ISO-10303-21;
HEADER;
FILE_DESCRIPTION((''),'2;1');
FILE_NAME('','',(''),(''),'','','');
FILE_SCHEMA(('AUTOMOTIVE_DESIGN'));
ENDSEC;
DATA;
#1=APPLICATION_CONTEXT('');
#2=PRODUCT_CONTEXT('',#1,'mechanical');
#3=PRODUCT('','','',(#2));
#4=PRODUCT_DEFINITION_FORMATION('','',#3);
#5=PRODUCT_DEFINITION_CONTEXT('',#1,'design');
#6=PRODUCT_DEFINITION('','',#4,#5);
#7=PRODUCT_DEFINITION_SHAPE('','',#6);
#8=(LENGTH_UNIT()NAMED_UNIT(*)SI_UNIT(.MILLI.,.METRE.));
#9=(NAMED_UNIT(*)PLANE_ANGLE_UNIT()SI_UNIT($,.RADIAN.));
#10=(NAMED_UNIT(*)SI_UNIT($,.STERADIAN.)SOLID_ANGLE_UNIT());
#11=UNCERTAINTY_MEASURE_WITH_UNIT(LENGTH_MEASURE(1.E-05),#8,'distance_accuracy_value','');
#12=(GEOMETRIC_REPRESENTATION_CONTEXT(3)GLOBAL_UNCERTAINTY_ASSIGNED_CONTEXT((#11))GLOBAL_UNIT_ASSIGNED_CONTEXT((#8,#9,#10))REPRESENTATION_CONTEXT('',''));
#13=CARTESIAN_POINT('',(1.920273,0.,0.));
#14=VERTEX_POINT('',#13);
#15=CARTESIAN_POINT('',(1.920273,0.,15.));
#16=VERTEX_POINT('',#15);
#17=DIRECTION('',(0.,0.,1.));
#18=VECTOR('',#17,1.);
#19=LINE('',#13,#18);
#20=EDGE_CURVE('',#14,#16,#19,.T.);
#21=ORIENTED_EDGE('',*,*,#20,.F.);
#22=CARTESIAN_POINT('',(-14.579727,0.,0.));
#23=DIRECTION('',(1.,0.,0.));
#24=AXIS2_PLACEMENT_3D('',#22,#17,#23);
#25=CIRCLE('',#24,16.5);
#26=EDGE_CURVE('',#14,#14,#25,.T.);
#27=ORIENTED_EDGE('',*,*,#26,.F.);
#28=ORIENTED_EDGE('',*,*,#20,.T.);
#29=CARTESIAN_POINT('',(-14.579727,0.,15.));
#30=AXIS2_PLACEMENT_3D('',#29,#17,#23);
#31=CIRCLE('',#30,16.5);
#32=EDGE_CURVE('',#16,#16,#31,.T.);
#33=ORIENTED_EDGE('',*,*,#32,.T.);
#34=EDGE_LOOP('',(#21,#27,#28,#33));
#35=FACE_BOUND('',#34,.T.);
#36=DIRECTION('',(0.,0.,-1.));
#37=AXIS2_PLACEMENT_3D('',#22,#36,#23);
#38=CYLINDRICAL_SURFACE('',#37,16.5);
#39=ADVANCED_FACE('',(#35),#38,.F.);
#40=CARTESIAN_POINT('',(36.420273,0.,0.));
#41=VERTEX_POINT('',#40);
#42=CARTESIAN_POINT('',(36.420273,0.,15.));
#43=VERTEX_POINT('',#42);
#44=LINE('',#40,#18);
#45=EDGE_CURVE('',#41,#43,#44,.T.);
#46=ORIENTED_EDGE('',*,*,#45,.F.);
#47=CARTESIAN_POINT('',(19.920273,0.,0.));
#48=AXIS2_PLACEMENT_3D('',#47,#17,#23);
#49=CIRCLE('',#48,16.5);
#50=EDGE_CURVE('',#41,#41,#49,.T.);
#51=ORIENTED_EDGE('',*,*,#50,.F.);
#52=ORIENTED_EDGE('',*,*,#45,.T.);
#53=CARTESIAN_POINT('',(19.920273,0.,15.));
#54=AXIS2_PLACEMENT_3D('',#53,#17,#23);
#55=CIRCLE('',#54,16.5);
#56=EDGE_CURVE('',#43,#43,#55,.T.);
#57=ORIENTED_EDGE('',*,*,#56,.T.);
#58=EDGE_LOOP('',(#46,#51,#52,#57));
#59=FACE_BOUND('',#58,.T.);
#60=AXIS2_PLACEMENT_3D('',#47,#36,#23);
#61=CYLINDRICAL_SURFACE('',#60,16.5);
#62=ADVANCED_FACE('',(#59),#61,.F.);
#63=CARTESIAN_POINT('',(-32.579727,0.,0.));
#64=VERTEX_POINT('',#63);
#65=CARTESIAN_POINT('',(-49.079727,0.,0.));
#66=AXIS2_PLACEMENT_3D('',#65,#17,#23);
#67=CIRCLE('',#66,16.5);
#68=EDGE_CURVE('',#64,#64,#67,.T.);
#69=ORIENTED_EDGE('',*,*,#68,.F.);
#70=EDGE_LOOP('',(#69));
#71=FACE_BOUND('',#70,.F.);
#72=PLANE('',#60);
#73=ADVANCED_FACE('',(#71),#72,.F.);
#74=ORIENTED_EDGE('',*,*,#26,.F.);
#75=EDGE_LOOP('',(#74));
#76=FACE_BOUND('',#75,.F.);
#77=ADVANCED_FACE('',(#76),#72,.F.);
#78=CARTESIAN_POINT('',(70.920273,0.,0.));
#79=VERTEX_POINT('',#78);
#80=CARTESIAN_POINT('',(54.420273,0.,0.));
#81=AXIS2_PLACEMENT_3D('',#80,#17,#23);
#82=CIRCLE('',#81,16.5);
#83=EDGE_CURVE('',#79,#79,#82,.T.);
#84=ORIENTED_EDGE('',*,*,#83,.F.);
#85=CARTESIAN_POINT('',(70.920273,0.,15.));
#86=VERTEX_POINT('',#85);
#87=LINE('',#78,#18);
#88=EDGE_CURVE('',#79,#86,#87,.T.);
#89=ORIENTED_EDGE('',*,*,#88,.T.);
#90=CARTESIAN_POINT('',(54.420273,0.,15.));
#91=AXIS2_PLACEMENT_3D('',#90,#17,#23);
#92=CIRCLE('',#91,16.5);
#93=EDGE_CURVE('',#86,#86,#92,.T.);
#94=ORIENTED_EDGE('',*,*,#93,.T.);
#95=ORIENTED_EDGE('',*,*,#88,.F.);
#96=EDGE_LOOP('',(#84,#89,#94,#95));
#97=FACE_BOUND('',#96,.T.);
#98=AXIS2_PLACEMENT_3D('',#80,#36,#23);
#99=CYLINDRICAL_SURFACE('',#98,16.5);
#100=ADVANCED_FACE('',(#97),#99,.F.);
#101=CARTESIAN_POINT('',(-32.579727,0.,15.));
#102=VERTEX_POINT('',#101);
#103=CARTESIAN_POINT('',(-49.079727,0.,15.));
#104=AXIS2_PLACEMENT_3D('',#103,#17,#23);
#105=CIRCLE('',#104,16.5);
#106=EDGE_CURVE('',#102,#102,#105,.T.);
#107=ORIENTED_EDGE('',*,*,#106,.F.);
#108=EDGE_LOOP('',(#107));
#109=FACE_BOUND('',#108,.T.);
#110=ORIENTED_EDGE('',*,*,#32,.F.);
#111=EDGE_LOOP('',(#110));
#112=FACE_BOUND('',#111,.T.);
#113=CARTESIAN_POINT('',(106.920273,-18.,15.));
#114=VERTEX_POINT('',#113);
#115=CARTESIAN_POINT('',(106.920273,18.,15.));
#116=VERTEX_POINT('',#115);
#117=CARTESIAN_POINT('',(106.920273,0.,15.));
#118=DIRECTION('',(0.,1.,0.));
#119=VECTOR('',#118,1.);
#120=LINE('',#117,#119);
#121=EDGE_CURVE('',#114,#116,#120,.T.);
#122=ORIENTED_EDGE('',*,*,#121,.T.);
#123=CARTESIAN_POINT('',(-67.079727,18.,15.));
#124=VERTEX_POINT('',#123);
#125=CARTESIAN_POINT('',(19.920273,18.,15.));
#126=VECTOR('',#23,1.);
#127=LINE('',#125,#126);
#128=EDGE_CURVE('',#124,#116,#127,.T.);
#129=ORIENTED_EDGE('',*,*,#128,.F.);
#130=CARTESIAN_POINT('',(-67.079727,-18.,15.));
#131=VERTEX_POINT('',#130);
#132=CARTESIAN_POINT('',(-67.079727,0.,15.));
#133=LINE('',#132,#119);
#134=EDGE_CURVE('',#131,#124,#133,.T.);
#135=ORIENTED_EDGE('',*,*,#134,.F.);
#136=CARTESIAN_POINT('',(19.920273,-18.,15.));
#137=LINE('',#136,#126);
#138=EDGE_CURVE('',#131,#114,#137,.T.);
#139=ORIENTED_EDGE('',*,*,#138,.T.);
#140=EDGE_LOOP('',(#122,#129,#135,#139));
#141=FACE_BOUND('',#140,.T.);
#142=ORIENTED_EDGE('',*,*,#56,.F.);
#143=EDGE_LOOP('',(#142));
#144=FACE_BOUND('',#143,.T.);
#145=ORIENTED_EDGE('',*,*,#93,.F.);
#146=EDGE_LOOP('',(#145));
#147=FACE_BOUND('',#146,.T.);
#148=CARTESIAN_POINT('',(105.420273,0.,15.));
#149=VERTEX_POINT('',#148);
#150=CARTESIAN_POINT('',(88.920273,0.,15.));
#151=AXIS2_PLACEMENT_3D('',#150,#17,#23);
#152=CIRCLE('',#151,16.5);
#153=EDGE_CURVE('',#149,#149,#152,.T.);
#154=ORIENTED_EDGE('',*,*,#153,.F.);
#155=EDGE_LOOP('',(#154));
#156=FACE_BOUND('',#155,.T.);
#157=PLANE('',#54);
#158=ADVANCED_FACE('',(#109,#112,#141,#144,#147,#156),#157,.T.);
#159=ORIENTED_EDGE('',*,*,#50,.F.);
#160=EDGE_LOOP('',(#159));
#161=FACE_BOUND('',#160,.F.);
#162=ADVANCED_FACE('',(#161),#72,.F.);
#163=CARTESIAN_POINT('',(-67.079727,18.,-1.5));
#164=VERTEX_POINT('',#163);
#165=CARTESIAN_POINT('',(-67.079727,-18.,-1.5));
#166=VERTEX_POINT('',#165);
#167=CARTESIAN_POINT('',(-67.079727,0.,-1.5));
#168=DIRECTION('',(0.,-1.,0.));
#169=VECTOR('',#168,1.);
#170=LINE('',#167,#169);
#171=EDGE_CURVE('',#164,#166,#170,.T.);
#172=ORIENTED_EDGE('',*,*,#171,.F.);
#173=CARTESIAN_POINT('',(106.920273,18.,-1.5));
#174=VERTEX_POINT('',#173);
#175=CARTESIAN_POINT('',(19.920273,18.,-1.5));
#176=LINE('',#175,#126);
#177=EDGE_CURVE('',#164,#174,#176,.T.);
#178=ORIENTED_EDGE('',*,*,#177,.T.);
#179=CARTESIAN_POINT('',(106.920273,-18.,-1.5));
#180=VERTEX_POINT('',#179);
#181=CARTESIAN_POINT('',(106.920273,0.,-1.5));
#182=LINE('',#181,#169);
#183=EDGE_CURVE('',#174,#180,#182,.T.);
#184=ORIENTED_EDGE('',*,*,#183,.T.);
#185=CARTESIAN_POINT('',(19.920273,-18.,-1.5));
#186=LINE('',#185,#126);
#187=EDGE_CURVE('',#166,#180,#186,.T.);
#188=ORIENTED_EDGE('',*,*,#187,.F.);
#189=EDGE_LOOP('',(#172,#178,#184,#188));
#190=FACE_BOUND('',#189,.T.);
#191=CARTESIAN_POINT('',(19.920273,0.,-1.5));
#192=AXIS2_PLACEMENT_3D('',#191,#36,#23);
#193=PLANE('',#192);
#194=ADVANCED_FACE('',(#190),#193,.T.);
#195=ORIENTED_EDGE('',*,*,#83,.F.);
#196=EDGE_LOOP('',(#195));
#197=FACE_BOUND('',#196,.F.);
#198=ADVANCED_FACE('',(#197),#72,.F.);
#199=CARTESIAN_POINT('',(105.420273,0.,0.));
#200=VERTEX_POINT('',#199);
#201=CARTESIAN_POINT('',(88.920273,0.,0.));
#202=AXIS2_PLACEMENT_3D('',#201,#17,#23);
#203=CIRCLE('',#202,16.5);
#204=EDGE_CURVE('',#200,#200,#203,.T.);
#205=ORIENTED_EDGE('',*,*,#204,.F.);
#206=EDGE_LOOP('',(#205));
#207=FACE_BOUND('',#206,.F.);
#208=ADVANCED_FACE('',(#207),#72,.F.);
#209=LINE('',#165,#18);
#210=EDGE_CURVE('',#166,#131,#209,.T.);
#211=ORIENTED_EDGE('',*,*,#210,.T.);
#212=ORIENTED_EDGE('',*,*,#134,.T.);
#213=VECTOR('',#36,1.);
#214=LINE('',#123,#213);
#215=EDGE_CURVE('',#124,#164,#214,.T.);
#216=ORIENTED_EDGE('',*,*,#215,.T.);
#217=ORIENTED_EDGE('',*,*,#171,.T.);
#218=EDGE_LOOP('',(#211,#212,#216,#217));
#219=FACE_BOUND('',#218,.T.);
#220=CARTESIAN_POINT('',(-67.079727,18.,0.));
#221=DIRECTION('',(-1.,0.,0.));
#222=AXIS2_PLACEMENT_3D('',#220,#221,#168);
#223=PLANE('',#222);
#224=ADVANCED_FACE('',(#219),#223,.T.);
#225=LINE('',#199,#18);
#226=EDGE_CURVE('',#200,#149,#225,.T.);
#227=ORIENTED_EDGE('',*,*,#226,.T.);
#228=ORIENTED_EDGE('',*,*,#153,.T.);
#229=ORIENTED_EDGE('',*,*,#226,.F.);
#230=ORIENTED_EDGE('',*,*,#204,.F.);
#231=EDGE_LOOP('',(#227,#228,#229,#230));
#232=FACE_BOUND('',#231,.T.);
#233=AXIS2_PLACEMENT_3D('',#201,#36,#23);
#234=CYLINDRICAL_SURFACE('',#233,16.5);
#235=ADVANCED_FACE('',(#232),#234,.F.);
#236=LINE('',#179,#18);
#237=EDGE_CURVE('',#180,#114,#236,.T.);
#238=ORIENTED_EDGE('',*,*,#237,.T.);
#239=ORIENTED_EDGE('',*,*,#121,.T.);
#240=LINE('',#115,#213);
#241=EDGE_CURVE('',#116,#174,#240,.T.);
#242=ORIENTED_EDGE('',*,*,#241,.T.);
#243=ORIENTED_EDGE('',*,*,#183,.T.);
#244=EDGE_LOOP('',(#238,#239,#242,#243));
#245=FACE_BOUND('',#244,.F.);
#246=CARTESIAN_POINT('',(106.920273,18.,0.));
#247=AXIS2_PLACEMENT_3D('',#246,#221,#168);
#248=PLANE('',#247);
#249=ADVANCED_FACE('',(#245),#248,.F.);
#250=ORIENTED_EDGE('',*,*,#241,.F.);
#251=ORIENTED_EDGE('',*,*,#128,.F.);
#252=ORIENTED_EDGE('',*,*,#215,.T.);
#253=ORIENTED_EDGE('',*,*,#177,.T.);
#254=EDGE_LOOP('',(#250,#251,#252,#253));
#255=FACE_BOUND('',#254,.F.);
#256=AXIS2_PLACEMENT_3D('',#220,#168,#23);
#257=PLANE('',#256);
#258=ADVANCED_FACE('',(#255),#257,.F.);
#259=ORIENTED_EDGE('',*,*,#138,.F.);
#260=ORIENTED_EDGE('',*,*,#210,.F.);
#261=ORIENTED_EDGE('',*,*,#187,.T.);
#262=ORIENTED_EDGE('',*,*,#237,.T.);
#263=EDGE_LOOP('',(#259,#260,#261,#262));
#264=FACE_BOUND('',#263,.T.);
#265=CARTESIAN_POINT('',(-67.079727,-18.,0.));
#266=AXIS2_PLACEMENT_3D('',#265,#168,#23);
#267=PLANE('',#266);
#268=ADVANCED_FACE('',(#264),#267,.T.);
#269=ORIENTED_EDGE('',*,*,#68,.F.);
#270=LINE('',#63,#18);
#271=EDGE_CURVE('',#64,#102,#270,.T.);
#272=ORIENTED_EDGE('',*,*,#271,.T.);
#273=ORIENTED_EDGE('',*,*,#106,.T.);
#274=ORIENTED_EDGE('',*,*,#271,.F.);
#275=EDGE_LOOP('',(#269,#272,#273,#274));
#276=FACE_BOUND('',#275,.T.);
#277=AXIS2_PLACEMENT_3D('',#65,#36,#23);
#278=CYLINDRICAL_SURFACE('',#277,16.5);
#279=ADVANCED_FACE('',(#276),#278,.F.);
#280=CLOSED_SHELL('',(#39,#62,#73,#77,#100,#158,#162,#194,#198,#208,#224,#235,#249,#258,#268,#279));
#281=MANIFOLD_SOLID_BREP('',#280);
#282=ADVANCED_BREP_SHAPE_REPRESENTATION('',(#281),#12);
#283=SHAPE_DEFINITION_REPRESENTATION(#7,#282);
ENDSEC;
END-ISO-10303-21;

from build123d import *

# Parameters (mm, degrees)
F0_W     = 174
F0_H     = 36
F0_R     = 16.5
F1_DEPTH = 15
F2_W     = 174
F2_H     = 36
F3_DEPTH = 1.5


with BuildPart() as f1:
    # F0 (on Top) → F1 (new body)
    with BuildSketch(Plane.XY):
        with Locations((19.920273, 0)):
            Rectangle(F0_W, F0_H)
        with Locations((-49.079727, 0)):
            Circle(F0_R, mode=Mode.SUBTRACT)
        with Locations((-14.579727, 0)):
            Circle(F0_R, mode=Mode.SUBTRACT)
        with Locations((19.920273, 0)):
            Circle(F0_R, mode=Mode.SUBTRACT)
        with Locations((54.420273, 0)):
            Circle(F0_R, mode=Mode.SUBTRACT)
        with Locations((88.920273, 0)):
            Circle(F0_R, mode=Mode.SUBTRACT)
    extrude(amount=F1_DEPTH)

    # F2 (on face) → F3 (join)
    with BuildSketch(Plane(origin=(0, 0, 0), x_dir=(1, 0, 0), z_dir=(0, 0, -1))):
        with Locations((19.920273, 0)):
            Rectangle(F2_W, F2_H)
    extrude(amount=F3_DEPTH)


solid = f1.part
